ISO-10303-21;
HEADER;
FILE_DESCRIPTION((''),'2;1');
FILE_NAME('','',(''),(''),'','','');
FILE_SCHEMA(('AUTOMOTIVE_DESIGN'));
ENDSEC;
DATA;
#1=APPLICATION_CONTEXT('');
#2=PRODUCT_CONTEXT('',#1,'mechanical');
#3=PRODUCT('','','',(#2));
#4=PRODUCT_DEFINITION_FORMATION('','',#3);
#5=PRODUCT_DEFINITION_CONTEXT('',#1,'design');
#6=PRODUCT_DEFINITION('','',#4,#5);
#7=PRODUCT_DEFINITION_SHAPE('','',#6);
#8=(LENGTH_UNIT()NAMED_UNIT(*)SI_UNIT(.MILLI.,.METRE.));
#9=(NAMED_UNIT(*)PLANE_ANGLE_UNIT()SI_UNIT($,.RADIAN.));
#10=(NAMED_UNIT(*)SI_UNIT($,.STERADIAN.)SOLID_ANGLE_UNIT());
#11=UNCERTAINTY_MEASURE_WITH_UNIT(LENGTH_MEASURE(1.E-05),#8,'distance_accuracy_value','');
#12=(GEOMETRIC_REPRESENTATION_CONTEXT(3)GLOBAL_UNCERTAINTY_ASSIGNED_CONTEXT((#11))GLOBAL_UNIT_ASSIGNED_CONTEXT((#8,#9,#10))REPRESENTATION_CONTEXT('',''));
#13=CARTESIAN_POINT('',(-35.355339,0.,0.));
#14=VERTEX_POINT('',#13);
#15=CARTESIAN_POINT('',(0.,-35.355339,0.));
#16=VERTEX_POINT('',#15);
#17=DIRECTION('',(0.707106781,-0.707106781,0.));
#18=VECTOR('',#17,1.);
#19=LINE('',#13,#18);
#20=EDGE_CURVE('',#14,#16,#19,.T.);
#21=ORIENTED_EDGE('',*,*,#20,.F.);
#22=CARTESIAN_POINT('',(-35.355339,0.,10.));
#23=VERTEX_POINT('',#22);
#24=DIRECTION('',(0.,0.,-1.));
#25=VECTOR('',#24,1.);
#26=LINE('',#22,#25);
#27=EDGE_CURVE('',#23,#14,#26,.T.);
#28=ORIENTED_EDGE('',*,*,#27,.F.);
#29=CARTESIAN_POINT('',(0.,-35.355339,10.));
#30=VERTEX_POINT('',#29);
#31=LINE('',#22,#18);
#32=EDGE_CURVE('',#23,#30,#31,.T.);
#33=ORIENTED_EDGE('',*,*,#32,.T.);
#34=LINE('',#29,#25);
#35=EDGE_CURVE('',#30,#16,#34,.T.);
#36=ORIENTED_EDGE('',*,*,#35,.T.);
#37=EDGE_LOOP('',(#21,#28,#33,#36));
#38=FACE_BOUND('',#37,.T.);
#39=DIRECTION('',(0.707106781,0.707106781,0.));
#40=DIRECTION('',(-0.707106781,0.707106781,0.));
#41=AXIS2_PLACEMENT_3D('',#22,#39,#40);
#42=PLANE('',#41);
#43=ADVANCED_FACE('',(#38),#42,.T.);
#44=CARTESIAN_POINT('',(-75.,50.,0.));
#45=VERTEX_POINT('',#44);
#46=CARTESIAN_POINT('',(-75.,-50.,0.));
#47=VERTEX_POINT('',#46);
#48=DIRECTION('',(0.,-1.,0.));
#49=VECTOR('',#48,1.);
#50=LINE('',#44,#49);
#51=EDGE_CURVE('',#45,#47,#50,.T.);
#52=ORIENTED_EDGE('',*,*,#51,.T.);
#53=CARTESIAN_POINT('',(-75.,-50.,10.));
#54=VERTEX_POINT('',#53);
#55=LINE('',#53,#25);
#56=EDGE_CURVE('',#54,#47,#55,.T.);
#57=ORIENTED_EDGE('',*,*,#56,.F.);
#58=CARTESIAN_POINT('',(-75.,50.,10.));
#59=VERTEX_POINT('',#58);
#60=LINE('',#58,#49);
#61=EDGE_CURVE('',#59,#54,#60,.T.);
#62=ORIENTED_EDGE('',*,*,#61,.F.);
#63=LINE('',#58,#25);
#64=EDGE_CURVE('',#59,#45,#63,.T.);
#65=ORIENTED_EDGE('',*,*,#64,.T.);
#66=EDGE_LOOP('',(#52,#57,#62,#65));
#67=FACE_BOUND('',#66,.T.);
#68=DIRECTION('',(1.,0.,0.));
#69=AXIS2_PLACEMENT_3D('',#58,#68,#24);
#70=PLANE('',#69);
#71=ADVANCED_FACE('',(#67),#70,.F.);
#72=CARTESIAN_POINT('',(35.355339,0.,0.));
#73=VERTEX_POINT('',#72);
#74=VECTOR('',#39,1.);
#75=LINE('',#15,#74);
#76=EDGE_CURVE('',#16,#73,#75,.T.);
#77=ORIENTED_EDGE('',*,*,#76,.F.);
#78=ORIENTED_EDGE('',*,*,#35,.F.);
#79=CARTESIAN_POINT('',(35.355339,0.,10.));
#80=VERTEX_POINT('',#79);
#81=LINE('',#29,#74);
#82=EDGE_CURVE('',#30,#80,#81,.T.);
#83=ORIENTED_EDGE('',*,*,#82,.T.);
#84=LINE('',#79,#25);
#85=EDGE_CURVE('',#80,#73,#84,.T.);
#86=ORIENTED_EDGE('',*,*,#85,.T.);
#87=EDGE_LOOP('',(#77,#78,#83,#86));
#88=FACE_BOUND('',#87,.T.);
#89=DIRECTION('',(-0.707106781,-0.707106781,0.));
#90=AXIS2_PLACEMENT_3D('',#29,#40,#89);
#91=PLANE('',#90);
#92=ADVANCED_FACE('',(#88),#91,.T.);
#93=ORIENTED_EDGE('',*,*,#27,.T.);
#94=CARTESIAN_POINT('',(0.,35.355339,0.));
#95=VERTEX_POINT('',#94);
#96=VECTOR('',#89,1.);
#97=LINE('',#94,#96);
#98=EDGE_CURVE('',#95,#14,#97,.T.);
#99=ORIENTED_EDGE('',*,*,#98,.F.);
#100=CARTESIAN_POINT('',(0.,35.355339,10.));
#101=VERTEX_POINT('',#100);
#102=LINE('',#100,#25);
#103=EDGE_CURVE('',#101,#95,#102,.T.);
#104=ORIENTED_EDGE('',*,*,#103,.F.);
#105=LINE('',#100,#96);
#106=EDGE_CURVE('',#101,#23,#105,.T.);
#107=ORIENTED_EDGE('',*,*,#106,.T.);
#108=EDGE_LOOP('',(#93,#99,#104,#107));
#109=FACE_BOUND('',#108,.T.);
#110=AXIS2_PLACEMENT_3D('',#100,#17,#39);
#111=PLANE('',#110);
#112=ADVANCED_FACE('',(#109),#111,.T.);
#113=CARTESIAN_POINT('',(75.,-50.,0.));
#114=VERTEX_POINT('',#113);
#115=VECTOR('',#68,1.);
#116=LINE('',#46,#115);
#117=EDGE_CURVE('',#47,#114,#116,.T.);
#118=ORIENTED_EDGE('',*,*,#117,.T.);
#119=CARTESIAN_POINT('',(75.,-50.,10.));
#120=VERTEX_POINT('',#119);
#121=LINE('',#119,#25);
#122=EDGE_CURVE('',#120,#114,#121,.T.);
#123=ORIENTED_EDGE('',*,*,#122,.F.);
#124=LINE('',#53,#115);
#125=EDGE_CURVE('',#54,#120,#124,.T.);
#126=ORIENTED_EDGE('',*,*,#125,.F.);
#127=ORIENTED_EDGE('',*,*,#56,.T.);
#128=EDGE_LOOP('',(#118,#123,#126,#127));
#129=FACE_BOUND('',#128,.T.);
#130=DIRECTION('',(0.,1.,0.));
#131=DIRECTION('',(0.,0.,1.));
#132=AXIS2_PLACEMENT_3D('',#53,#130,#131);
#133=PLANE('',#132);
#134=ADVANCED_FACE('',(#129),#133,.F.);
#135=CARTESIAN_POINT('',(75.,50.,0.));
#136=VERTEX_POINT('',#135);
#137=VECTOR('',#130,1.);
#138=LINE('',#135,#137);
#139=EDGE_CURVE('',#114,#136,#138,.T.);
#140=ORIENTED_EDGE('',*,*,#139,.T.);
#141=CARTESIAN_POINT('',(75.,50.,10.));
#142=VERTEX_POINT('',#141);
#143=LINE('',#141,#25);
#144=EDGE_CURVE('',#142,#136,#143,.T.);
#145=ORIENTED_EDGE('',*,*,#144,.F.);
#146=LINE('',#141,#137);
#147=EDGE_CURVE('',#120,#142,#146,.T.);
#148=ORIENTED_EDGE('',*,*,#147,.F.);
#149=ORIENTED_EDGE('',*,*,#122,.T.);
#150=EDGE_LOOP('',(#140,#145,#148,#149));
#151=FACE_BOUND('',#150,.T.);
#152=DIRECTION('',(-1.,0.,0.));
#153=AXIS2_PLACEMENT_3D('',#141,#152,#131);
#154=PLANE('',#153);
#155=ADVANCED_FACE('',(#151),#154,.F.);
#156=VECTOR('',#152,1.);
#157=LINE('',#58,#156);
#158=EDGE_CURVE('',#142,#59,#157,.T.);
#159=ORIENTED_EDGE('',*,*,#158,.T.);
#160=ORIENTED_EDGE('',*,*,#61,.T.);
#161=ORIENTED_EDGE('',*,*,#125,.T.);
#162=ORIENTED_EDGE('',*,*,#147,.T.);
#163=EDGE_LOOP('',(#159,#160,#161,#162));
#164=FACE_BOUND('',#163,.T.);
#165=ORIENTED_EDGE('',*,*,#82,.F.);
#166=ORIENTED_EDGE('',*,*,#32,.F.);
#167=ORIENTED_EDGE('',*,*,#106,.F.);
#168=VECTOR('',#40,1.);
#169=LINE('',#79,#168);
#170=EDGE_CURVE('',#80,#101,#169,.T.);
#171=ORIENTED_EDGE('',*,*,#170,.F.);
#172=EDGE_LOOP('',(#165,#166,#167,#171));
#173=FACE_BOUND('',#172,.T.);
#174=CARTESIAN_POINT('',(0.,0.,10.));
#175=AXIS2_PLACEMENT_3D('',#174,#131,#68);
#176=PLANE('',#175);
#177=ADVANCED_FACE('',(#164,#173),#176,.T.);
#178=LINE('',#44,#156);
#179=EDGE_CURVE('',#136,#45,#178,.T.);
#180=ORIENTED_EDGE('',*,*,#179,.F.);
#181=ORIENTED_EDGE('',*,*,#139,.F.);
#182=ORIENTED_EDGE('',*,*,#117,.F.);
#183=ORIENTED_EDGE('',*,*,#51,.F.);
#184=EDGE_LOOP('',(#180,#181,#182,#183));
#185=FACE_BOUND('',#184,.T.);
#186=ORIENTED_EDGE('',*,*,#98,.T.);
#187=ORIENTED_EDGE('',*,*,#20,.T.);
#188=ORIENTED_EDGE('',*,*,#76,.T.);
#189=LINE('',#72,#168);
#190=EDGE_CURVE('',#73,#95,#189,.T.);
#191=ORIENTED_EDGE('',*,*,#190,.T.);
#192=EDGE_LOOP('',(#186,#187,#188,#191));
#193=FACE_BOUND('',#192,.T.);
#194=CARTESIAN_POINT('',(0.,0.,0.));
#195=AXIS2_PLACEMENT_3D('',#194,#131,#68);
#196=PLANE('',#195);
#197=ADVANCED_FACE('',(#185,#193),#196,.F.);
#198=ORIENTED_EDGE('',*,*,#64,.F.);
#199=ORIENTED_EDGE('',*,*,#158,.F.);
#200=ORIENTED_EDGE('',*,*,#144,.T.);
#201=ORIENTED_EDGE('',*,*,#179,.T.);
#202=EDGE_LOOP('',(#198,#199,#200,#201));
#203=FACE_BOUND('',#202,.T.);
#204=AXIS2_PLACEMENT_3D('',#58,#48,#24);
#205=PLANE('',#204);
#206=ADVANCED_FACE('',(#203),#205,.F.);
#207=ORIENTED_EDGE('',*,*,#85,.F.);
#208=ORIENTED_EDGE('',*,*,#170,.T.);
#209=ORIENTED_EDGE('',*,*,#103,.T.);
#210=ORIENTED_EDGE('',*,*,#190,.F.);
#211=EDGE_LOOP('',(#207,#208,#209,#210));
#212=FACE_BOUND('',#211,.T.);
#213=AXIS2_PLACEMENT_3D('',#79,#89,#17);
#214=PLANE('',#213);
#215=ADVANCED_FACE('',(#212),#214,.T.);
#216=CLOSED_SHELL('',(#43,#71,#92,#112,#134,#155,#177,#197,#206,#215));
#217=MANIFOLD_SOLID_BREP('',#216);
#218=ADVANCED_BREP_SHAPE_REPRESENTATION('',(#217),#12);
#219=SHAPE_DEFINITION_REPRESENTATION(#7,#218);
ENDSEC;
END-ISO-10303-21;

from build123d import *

# Parameters (mm, degrees)
SKETCH2_W           = 150
SKETCH2_H           = 100
BOSS_EXTRUDE1_DEPTH = 10


with BuildPart() as part:
    # Sketch2 → Boss-Extrude1 (new body)
    with BuildSketch(Plane.XY):
        Rectangle(SKETCH2_W, SKETCH2_H)
        Polygon((0, -35.355339059), (35.355339059, 0), (0, 35.355339059), (-35.355339059, 0), align=None, mode=Mode.SUBTRACT)
    extrude(amount=BOSS_EXTRUDE1_DEPTH)


solid = part.part
